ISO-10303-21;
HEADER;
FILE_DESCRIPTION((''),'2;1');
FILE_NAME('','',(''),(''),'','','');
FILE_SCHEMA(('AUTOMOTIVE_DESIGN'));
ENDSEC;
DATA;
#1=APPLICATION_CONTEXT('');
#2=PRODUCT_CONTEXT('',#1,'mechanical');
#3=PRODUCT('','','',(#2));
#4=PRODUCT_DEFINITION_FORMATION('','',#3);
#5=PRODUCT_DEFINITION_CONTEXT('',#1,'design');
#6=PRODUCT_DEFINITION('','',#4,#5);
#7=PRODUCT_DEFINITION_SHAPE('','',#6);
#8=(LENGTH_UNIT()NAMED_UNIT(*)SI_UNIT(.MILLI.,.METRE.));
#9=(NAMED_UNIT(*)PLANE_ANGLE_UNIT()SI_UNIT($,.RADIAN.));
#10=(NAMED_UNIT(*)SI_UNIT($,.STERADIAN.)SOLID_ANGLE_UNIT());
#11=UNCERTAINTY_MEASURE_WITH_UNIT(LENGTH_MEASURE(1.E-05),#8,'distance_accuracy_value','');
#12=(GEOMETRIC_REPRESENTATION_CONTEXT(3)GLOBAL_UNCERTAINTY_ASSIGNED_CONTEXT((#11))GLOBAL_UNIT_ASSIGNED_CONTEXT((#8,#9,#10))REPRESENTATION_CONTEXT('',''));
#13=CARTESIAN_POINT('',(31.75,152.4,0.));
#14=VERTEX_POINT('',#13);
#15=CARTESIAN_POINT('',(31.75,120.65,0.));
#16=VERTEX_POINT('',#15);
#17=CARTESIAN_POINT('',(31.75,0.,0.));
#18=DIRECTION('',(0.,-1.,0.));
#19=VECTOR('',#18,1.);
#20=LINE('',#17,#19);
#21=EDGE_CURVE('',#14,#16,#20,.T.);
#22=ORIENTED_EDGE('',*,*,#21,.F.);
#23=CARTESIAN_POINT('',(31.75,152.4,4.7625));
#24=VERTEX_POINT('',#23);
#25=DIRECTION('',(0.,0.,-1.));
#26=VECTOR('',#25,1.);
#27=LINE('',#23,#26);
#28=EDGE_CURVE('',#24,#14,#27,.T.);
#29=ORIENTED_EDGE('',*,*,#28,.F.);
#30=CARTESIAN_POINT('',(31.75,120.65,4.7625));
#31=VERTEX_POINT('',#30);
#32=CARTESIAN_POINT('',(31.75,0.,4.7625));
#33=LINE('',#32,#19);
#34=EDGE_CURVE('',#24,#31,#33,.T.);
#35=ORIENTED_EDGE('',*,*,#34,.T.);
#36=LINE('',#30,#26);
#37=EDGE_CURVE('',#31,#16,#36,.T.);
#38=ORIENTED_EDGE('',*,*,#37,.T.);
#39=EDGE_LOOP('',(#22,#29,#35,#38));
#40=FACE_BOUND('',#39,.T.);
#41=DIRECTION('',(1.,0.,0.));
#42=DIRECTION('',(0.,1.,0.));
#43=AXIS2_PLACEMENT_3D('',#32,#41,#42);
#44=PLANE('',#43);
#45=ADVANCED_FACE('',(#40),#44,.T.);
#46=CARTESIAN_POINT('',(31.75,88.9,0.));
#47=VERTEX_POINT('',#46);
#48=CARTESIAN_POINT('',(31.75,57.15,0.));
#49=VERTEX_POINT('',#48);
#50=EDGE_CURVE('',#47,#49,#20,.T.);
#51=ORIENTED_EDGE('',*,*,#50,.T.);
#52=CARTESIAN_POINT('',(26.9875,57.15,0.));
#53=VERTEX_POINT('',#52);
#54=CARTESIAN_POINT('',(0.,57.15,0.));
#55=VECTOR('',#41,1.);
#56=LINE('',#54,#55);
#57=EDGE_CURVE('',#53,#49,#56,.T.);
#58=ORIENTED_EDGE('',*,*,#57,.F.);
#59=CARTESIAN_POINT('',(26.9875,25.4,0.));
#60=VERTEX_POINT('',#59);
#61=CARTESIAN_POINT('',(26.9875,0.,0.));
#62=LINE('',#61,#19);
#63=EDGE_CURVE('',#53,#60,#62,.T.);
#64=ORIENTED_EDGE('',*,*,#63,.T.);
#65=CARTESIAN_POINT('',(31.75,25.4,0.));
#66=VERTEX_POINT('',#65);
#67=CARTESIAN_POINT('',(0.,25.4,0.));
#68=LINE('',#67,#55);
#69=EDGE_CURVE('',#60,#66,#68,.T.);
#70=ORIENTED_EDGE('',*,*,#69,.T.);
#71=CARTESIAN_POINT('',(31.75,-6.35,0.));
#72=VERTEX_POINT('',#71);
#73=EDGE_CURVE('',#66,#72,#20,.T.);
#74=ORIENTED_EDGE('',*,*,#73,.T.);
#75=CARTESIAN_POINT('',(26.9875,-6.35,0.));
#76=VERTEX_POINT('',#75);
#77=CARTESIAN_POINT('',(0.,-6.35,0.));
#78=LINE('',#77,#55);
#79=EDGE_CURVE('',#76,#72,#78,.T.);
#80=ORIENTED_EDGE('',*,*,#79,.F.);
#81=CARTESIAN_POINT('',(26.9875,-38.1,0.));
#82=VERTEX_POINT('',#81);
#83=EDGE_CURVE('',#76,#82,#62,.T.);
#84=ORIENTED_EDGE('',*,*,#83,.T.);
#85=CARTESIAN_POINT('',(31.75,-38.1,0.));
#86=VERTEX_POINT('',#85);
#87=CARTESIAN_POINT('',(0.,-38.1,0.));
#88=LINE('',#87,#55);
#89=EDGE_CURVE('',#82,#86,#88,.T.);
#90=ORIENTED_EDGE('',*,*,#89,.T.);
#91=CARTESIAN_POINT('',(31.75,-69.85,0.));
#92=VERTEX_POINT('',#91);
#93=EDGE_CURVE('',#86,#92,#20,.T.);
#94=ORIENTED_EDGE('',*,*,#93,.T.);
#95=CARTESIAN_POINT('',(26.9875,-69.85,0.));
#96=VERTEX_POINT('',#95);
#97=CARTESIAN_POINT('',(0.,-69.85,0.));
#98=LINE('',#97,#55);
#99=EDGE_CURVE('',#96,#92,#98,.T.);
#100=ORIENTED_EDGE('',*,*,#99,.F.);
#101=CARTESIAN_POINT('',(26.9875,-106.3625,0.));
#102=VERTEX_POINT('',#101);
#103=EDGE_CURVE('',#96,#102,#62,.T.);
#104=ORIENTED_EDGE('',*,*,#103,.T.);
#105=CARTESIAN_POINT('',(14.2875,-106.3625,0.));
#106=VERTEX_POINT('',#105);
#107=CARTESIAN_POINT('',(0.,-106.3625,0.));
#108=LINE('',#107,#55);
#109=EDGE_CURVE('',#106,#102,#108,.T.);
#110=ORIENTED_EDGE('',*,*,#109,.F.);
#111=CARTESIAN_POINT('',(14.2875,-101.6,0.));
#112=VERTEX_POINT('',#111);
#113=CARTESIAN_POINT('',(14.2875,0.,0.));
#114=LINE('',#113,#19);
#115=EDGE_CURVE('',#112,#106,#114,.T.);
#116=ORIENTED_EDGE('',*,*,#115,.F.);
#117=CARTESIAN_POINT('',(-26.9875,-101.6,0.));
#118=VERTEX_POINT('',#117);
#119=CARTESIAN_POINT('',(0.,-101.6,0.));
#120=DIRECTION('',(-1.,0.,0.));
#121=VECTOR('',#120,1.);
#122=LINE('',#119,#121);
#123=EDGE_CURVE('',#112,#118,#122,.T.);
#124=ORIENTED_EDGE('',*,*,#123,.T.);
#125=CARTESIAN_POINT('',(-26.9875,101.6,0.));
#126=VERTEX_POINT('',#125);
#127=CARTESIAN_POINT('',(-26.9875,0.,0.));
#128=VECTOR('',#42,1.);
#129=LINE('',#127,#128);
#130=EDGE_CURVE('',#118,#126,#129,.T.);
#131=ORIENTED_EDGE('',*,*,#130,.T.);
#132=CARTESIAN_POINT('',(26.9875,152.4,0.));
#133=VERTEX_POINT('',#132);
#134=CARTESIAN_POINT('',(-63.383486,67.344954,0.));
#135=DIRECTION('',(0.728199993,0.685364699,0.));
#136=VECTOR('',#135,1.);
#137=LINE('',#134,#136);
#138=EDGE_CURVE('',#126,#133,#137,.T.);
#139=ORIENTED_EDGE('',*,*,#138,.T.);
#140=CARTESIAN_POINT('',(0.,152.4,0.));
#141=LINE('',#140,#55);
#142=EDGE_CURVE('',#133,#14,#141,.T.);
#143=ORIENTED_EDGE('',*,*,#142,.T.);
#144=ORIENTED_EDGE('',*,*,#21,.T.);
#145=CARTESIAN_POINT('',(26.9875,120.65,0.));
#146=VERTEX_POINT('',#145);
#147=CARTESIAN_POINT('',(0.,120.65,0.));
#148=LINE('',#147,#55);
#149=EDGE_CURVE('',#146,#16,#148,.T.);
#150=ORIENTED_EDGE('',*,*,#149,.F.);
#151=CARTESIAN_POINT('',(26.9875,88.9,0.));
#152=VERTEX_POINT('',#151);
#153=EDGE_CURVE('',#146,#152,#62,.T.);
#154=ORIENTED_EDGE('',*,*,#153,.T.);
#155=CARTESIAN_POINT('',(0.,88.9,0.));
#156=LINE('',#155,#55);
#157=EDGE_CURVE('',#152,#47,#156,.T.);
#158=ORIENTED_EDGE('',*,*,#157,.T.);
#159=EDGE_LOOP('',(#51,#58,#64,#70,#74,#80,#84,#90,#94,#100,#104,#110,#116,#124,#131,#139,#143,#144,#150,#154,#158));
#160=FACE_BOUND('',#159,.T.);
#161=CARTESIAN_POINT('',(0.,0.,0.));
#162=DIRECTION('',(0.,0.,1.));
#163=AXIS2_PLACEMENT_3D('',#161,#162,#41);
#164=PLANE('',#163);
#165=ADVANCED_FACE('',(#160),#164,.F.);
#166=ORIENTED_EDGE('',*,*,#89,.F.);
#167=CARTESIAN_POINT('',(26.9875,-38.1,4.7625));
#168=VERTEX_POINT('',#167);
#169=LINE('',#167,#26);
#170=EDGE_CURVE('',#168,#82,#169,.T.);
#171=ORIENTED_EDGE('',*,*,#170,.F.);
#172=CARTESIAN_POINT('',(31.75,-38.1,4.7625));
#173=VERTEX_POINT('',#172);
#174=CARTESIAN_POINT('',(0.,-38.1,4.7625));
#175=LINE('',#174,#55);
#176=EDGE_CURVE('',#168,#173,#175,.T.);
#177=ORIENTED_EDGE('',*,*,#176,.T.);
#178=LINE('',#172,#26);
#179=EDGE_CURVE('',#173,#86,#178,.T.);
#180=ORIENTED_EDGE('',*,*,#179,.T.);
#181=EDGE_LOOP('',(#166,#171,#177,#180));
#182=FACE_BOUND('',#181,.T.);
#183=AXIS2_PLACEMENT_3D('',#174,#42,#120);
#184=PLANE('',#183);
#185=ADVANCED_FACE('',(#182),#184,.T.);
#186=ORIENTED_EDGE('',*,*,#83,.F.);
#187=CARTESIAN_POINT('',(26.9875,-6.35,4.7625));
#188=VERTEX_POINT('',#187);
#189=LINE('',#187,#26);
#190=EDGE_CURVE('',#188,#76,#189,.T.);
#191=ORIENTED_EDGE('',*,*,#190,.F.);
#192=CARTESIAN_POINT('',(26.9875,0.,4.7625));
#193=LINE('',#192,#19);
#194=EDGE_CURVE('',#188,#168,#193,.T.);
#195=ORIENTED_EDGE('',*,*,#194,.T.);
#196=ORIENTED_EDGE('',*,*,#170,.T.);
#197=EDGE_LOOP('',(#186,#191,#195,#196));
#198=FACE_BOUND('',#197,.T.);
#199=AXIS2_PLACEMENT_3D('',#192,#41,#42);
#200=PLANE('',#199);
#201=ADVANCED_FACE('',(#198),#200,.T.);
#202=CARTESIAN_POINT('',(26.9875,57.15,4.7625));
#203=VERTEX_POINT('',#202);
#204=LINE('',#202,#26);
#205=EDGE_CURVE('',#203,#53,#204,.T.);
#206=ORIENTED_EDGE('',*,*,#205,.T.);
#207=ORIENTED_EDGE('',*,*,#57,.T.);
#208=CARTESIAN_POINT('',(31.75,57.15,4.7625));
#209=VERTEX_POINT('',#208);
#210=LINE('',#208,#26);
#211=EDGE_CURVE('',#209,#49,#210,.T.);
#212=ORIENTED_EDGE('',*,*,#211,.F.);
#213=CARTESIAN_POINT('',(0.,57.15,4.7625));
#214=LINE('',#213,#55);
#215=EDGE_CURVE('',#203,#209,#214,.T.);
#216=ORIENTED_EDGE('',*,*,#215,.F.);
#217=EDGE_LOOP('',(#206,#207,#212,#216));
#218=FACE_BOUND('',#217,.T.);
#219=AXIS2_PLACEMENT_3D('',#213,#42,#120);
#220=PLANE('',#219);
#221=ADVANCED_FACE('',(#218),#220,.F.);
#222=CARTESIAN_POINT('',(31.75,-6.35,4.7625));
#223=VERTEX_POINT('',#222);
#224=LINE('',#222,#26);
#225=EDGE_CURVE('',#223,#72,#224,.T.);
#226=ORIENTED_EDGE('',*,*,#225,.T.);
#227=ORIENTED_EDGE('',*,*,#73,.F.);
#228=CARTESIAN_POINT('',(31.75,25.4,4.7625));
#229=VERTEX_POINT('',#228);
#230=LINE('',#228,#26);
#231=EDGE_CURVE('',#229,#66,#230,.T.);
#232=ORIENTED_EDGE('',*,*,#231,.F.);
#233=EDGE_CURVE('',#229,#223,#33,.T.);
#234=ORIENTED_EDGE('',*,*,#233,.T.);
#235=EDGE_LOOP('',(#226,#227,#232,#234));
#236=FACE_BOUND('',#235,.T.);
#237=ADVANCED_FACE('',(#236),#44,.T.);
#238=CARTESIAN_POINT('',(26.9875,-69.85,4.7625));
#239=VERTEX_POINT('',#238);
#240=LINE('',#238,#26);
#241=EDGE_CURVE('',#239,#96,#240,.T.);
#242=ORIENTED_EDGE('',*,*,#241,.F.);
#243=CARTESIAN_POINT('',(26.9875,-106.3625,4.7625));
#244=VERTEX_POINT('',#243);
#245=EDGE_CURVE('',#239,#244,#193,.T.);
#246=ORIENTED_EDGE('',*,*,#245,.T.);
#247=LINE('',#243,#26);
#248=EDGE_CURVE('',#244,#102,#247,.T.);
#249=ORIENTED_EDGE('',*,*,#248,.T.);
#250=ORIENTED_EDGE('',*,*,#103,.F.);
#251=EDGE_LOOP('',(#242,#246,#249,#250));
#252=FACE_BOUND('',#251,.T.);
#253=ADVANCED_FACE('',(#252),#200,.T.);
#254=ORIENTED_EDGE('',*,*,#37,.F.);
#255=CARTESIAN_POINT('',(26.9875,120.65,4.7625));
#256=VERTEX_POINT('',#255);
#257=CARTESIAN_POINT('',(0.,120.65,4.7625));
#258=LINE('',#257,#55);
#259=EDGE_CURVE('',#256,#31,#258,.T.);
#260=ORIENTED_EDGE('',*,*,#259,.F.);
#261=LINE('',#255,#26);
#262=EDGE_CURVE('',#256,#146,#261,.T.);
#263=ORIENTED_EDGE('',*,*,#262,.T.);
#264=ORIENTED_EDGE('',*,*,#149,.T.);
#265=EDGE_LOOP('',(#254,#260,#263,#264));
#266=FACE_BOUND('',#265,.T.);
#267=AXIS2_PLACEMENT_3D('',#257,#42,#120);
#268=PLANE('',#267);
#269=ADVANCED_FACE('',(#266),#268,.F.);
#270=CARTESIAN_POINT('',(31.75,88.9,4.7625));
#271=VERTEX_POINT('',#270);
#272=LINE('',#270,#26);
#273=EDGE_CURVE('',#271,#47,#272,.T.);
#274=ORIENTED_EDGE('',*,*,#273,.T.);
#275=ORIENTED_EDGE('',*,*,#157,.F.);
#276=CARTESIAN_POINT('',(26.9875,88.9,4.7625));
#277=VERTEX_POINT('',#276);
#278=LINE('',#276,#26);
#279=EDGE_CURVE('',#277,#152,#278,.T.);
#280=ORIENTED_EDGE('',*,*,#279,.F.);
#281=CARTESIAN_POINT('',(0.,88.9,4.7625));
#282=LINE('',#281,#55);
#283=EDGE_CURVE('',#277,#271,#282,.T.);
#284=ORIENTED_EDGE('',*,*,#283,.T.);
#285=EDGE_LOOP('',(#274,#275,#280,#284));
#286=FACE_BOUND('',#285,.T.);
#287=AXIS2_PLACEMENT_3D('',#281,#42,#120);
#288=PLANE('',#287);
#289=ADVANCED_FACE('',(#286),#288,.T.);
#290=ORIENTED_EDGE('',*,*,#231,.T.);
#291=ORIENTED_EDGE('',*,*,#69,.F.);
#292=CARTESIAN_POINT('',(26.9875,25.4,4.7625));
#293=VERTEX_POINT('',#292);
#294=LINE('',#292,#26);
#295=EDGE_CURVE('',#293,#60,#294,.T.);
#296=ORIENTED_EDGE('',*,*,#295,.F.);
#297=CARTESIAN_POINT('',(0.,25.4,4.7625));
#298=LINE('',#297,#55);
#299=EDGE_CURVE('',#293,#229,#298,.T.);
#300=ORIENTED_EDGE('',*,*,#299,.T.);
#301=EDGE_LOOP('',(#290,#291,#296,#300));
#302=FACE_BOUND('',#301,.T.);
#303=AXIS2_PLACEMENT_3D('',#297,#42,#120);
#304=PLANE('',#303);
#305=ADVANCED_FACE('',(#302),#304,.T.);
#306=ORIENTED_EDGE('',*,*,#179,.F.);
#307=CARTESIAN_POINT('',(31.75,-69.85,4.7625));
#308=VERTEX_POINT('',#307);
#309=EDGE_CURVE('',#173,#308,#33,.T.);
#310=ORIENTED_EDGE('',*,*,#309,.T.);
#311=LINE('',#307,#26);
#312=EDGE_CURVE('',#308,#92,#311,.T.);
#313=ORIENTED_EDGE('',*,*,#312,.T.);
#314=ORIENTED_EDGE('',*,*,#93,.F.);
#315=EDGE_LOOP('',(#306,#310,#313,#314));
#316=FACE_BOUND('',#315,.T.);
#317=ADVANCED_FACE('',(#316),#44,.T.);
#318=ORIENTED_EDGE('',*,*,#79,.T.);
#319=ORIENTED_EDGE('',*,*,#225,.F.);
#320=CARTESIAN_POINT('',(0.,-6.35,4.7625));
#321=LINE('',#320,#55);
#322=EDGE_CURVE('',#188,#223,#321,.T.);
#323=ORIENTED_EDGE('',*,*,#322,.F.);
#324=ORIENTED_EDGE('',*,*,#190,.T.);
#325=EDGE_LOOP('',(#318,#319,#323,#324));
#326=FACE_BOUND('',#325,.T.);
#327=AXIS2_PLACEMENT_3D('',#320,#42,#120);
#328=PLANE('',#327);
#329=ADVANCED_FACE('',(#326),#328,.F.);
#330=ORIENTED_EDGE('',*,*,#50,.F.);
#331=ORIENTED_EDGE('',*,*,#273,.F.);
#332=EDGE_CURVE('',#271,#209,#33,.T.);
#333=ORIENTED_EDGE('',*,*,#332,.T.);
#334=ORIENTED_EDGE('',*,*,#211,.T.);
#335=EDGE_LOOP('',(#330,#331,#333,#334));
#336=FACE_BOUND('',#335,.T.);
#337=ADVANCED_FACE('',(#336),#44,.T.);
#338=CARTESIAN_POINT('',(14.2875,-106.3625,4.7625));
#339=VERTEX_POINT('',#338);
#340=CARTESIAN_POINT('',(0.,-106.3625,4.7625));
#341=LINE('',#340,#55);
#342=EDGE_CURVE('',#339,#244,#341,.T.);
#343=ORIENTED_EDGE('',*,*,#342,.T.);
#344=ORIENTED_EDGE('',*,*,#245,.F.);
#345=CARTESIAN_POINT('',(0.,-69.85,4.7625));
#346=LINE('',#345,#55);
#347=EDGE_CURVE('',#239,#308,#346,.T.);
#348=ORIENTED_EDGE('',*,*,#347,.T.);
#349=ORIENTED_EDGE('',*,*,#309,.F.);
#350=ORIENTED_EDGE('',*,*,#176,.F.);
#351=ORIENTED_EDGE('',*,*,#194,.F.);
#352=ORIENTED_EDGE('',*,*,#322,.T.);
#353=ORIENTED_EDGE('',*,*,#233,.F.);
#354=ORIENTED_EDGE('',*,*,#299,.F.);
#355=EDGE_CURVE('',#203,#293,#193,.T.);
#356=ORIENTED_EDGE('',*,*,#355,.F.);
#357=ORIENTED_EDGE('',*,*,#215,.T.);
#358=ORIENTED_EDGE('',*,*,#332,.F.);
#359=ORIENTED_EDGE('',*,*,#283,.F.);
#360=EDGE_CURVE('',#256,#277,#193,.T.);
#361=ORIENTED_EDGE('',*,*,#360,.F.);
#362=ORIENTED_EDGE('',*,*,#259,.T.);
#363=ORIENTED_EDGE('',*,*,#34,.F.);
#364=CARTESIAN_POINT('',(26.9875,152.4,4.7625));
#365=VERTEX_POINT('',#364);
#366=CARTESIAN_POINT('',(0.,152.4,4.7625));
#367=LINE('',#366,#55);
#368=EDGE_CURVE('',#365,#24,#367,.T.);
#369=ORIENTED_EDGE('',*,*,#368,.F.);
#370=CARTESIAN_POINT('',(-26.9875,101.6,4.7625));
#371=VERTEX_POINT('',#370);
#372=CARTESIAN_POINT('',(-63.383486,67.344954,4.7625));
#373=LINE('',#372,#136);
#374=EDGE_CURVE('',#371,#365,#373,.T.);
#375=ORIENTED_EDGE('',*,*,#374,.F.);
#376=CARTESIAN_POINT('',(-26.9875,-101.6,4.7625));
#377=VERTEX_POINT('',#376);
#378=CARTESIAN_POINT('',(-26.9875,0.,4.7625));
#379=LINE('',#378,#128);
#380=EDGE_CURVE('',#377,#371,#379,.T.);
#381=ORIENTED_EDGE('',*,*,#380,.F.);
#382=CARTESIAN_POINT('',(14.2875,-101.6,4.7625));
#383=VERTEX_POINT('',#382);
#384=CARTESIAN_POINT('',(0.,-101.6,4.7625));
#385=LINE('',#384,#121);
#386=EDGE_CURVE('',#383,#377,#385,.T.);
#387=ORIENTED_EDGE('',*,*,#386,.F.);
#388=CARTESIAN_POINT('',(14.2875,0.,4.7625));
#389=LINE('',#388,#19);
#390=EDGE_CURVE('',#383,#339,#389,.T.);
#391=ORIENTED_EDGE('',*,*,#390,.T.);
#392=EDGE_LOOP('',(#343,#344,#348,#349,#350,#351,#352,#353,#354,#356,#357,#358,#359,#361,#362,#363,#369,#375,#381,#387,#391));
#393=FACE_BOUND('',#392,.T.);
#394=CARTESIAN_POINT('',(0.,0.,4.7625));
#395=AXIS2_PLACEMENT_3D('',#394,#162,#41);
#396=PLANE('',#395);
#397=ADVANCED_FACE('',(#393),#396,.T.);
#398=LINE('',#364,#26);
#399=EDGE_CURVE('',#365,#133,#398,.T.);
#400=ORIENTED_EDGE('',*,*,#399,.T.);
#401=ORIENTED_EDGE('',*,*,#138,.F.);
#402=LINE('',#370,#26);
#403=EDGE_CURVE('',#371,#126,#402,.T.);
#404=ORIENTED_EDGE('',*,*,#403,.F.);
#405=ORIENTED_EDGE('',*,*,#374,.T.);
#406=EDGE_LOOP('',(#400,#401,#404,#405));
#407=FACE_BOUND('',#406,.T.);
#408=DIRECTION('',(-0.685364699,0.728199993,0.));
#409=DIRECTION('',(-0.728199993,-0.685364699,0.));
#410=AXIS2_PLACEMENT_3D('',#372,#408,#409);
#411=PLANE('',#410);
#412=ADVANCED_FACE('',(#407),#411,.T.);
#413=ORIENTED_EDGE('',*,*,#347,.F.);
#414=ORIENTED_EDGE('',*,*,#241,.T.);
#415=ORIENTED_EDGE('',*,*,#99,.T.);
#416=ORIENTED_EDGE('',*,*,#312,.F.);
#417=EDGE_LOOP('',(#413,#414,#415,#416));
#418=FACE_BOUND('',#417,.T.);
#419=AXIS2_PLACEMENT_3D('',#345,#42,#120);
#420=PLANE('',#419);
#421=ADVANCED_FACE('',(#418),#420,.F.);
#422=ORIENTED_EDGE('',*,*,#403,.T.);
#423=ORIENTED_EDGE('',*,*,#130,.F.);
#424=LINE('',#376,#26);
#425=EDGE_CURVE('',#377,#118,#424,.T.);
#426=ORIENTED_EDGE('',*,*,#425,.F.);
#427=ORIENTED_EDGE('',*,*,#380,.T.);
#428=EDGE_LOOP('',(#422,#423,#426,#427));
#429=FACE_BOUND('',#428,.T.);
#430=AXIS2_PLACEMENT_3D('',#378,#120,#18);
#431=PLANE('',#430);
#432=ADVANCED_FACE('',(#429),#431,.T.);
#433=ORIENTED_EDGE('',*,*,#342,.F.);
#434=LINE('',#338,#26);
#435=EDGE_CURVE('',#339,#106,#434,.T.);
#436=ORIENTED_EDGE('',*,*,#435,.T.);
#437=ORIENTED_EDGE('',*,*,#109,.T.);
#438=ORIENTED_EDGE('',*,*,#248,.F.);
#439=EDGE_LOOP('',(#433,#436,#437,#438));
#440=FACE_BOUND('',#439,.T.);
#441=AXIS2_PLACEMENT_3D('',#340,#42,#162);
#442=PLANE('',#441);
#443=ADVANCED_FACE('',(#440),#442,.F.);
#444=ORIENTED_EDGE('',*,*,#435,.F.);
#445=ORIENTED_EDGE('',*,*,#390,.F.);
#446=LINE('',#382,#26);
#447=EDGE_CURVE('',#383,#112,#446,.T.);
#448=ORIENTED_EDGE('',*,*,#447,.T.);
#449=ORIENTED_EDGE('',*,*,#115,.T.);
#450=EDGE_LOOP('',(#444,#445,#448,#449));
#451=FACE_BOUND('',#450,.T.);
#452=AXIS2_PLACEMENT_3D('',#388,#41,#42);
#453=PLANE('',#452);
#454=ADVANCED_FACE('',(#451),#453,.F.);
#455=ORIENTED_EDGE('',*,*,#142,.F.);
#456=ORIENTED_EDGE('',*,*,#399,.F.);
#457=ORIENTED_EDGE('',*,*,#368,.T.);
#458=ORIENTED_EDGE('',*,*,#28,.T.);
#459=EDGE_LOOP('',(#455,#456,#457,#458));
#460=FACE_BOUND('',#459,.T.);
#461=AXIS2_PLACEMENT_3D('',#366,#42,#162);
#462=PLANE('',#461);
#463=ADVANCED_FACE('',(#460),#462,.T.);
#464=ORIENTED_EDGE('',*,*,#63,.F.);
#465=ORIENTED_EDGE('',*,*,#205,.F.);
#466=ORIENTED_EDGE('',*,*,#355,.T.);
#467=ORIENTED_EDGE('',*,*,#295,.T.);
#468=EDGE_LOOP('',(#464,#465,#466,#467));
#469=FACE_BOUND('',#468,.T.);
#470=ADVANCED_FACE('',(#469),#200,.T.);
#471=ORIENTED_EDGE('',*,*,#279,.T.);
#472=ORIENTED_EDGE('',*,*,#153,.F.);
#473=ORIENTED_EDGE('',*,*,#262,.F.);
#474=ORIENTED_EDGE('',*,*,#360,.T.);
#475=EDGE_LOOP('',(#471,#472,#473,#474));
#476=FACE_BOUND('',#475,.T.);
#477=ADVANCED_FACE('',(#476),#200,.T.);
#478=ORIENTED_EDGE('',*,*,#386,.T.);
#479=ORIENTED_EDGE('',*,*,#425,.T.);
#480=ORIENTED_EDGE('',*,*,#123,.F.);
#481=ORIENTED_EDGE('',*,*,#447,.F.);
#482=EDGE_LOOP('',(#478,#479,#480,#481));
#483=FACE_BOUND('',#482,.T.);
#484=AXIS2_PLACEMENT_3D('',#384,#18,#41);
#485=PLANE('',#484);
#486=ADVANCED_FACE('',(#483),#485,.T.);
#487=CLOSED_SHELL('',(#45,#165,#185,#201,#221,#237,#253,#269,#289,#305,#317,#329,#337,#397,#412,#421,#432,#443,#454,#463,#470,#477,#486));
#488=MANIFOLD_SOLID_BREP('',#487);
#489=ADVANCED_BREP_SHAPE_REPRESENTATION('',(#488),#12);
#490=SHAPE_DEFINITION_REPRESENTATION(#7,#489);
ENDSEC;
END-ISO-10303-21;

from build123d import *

# Parameters (mm, degrees)
BOSS_EXTRUDE1_DEPTH = 4.7625


with BuildPart() as part:
    # Sketch1 → Boss-Extrude1 (new body)
    with BuildSketch(Plane.XY):
        Polygon((-26.9875, -101.6), (14.2875, -101.6), (14.2875, -106.3625), (26.9875, -106.3625), (26.9875, -69.85), (31.75, -69.85), (31.75, -38.1), (26.9875, -38.1), (26.9875, -6.35), (31.75, -6.35), (31.75, 25.4), (26.9875, 25.4), (26.9875, 57.15), (31.75, 57.15), (31.75, 88.9), (26.9875, 88.9), (26.9875, 120.65), (31.75, 120.65), (31.75, 152.4), (26.9875, 152.4), (-26.9875, 101.6), align=None)
    extrude(amount=BOSS_EXTRUDE1_DEPTH)


solid = part.part
